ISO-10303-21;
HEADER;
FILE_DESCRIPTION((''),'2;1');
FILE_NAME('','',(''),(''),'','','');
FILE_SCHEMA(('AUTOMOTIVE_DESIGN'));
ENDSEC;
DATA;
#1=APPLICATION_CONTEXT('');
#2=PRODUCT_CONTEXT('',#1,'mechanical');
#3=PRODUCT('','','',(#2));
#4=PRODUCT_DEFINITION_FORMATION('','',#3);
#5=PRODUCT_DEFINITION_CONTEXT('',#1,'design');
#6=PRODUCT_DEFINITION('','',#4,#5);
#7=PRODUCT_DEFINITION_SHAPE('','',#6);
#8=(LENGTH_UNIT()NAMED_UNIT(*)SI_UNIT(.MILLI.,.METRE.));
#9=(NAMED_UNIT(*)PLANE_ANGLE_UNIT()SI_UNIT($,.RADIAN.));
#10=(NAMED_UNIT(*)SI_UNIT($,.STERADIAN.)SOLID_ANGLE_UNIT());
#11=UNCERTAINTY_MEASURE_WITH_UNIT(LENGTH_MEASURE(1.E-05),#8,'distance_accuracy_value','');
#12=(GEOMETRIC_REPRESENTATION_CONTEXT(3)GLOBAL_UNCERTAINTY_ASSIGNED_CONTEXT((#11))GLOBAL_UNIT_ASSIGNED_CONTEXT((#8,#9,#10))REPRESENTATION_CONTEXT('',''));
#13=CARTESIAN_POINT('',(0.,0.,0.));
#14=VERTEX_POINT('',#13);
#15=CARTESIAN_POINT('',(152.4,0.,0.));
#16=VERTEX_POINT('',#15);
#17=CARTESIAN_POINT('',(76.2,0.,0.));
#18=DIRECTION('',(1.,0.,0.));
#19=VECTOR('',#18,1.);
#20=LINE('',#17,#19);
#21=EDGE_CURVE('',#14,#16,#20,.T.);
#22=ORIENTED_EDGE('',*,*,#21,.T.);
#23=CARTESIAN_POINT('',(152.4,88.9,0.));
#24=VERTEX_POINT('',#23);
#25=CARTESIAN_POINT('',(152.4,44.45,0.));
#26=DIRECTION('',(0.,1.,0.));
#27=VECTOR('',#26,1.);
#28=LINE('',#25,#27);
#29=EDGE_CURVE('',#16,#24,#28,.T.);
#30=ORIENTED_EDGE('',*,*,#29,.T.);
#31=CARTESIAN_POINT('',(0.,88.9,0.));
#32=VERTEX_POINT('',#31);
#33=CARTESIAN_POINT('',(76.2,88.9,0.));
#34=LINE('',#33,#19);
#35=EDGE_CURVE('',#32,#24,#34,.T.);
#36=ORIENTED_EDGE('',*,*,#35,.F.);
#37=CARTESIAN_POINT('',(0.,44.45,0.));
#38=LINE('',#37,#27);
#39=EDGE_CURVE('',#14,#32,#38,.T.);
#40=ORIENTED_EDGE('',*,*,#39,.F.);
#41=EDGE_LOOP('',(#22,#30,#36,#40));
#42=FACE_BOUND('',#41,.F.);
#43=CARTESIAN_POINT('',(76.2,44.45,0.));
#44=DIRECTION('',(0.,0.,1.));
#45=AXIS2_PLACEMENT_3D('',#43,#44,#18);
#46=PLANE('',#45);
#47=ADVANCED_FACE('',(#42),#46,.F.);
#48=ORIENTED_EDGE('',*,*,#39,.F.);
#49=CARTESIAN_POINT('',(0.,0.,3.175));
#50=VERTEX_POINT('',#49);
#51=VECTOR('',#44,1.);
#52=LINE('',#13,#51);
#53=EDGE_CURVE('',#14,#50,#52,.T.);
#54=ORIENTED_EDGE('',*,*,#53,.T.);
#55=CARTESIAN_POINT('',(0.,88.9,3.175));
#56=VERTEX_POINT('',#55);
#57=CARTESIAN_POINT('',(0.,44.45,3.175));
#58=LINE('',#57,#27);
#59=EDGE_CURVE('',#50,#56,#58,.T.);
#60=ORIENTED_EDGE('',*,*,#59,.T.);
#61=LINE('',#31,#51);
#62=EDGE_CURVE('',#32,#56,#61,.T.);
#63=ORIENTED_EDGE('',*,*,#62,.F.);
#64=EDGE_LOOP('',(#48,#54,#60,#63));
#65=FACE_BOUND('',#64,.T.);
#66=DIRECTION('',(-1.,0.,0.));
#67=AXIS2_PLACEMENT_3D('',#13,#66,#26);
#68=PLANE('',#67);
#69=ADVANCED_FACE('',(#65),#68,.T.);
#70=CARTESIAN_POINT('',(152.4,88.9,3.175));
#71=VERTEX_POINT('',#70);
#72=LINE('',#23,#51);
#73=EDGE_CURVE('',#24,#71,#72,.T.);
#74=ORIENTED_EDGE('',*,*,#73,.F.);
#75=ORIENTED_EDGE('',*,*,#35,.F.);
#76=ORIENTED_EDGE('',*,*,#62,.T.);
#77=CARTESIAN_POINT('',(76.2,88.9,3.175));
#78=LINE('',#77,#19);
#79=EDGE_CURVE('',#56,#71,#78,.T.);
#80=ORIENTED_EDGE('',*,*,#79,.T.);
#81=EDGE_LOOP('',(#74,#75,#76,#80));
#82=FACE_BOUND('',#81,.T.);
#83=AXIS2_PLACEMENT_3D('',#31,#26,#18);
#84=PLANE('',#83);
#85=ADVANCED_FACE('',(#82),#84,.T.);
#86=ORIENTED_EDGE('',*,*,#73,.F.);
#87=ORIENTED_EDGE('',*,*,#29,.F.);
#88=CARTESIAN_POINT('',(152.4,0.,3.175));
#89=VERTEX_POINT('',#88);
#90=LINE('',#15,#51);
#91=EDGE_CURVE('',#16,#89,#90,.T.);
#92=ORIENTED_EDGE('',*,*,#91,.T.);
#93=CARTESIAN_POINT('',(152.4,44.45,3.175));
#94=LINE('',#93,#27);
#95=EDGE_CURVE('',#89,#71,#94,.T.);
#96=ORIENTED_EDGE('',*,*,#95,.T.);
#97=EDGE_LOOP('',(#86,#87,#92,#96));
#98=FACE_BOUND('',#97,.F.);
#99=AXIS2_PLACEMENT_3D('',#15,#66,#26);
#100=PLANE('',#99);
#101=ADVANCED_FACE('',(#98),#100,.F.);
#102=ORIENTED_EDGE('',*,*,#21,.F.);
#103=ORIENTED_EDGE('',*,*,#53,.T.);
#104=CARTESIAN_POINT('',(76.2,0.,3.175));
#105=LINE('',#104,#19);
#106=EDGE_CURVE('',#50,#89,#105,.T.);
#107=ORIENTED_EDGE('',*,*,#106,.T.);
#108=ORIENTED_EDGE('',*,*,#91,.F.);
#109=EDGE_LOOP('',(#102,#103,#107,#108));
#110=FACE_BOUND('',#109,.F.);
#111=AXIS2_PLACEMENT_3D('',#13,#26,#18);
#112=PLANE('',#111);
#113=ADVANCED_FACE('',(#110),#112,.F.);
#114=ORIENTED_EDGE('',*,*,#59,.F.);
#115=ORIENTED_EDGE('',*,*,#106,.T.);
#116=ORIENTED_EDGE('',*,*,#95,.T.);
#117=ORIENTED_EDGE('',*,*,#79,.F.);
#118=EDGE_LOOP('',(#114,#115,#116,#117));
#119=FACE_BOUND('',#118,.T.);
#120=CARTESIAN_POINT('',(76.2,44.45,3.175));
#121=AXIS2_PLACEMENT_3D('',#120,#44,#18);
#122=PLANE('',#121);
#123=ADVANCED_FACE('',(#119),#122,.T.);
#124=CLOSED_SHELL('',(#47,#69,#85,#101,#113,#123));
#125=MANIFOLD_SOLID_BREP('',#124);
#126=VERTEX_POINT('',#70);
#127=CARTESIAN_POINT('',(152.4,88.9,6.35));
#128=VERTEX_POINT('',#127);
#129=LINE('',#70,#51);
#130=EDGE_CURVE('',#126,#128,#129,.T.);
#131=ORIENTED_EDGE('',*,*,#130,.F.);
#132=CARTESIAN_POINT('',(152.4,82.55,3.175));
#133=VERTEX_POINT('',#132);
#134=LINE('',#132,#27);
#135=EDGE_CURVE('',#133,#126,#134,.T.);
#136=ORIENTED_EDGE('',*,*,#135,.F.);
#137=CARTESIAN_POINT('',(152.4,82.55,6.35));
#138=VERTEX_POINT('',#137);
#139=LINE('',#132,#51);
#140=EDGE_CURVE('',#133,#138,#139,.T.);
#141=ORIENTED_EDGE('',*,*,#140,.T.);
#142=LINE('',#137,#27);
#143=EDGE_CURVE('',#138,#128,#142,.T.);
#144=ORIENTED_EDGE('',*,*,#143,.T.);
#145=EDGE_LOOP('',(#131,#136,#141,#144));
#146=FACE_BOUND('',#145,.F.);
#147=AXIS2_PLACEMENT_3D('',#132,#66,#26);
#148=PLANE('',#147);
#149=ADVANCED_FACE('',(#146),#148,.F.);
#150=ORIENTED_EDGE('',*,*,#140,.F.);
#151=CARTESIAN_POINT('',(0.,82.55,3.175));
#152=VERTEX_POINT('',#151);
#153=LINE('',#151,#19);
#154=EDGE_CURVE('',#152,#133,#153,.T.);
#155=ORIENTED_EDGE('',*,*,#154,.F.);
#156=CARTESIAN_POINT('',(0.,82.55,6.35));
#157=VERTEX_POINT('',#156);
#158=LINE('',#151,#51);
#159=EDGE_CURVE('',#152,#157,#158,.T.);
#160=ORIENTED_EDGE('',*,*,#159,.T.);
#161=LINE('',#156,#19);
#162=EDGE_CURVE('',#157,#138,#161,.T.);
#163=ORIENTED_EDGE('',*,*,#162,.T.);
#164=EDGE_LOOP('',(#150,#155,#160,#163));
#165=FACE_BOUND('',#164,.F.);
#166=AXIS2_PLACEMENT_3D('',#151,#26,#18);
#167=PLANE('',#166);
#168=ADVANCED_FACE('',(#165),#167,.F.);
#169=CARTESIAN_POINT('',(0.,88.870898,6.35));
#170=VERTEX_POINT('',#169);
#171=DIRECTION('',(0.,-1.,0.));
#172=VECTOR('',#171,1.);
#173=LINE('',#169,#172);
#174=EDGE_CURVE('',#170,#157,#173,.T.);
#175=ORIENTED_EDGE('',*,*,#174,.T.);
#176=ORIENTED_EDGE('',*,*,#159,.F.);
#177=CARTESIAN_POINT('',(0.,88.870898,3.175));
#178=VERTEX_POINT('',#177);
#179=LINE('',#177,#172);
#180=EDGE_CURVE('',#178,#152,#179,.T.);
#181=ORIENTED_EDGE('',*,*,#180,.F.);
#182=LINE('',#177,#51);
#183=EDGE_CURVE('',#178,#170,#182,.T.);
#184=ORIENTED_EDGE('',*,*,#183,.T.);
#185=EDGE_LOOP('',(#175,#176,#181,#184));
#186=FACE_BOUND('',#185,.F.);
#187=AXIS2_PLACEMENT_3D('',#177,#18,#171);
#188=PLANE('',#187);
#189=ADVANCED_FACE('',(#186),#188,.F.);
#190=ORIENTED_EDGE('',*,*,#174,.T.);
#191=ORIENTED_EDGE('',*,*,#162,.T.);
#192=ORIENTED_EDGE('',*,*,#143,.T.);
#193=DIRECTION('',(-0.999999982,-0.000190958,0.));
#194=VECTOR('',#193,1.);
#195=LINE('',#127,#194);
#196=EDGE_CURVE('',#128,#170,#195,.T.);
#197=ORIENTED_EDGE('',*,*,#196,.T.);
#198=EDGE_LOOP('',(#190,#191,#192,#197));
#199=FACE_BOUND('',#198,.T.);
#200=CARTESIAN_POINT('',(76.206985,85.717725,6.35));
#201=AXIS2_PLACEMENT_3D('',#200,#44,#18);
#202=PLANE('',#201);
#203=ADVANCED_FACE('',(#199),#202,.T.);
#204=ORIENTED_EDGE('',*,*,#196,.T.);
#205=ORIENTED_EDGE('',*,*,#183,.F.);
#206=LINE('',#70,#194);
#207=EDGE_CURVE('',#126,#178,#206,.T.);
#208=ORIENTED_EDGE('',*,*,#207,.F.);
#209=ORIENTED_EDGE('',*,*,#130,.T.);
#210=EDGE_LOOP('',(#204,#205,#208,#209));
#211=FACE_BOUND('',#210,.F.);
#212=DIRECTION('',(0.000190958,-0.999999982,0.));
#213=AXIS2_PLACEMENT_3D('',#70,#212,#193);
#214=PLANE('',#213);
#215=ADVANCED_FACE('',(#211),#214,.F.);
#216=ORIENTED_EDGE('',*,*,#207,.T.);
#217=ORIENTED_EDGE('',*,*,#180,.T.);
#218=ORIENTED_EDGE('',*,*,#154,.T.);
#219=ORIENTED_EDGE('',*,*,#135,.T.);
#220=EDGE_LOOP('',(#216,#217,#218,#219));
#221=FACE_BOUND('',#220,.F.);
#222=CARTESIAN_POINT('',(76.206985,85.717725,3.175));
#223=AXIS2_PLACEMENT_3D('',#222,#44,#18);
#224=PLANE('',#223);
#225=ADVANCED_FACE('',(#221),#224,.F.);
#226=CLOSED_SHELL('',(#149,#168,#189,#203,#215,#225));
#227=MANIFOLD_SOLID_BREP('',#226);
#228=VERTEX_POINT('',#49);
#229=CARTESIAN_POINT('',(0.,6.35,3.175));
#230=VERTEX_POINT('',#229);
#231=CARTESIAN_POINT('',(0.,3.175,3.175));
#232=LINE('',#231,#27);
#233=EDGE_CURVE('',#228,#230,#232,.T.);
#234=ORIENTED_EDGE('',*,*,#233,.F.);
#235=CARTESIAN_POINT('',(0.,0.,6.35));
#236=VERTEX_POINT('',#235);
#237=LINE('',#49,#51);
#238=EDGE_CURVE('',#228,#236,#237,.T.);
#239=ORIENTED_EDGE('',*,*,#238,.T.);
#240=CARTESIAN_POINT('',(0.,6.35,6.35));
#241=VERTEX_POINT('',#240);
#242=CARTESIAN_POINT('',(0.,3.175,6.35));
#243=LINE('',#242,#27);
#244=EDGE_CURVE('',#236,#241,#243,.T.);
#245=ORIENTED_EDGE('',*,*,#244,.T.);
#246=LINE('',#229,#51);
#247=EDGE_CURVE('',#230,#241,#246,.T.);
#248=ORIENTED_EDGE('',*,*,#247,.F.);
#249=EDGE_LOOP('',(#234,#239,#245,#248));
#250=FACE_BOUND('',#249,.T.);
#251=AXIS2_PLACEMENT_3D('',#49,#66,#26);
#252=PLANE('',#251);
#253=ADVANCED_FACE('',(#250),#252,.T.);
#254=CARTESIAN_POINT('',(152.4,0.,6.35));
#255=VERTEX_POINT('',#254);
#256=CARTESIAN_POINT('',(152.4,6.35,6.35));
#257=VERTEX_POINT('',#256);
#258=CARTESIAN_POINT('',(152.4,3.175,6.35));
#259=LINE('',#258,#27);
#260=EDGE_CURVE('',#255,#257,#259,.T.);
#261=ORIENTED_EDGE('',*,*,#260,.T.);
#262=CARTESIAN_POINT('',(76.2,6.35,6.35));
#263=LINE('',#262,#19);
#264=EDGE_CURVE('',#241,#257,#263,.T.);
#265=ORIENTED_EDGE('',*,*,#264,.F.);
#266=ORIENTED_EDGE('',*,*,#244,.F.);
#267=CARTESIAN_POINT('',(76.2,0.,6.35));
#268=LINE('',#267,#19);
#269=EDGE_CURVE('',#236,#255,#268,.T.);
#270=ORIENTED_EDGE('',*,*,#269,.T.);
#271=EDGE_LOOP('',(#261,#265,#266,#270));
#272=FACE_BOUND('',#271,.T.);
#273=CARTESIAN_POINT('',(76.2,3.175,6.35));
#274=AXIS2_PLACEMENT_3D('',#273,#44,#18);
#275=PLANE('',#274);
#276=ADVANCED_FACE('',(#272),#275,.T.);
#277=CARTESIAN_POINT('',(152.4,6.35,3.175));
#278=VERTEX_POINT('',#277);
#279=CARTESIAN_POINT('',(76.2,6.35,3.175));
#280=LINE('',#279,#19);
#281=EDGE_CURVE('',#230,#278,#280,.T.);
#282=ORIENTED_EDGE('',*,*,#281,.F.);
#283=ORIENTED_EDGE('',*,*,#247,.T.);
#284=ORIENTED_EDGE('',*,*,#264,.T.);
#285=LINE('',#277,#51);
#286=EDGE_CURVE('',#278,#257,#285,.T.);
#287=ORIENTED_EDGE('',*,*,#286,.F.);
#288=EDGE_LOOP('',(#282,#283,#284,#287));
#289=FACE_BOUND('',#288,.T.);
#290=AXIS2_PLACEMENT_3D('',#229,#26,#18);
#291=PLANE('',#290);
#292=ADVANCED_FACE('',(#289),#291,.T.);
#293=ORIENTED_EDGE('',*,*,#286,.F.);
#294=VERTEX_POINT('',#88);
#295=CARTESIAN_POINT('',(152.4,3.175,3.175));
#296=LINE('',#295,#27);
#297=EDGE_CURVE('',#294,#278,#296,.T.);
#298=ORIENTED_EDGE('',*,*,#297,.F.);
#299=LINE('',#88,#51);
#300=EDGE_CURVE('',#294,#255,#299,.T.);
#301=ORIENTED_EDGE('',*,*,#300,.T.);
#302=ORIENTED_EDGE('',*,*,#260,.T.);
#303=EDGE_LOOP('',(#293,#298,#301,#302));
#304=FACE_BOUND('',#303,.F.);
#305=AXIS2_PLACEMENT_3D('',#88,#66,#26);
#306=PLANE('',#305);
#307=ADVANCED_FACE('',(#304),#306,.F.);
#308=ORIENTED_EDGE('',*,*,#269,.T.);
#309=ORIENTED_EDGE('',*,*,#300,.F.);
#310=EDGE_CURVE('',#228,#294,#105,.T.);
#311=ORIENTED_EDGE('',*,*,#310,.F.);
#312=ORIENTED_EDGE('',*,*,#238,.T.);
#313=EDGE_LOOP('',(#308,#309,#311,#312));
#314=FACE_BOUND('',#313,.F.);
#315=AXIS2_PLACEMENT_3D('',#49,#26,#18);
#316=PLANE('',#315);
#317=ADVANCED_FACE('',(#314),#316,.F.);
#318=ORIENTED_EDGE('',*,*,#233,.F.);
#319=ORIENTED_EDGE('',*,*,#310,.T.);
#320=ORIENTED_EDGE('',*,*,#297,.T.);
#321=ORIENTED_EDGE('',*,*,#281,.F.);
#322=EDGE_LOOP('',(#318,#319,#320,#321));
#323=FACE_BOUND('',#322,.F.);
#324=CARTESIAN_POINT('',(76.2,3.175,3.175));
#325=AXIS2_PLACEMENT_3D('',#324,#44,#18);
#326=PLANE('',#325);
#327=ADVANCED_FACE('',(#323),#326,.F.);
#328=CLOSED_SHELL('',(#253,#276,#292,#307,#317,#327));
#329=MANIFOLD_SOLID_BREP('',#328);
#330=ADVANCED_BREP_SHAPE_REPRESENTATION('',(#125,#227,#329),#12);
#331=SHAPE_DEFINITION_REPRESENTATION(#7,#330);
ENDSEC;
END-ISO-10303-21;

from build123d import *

# Parameters (mm, degrees)
F0_W     = 152.4
F0_H     = 88.9
F1_DEPTH = 3.175
F2_W     = 152.4
F2_H     = 6.35
F4_DEPTH = 3.175
F5_DEPTH = 3.175


with BuildPart() as f1:
    # F0 (on Top) → F1 (new body)
    with BuildSketch(Plane.XY):
        with Locations((76.2, 44.45)):
            Rectangle(F0_W, F0_H)
    extrude(amount=F1_DEPTH)


with BuildPart() as f4:
    # F2 (on face) → F4 (new body)
    with BuildSketch(Plane.XY.offset(3.175)):
        with Locations((76.2, 3.175)):
            Rectangle(F2_W, F2_H)
    extrude(amount=F4_DEPTH)


with BuildPart() as f5:
    # F3 (on face) → F5 (new body)
    with BuildSketch(Plane.XY.offset(3.175)):
        Polygon((0, 82.55), (152.4, 82.55), (152.4, 88.9), (0, 88.870898), align=None)
    extrude(amount=F5_DEPTH)


solid = Compound([f1.part, f4.part, f5.part])
